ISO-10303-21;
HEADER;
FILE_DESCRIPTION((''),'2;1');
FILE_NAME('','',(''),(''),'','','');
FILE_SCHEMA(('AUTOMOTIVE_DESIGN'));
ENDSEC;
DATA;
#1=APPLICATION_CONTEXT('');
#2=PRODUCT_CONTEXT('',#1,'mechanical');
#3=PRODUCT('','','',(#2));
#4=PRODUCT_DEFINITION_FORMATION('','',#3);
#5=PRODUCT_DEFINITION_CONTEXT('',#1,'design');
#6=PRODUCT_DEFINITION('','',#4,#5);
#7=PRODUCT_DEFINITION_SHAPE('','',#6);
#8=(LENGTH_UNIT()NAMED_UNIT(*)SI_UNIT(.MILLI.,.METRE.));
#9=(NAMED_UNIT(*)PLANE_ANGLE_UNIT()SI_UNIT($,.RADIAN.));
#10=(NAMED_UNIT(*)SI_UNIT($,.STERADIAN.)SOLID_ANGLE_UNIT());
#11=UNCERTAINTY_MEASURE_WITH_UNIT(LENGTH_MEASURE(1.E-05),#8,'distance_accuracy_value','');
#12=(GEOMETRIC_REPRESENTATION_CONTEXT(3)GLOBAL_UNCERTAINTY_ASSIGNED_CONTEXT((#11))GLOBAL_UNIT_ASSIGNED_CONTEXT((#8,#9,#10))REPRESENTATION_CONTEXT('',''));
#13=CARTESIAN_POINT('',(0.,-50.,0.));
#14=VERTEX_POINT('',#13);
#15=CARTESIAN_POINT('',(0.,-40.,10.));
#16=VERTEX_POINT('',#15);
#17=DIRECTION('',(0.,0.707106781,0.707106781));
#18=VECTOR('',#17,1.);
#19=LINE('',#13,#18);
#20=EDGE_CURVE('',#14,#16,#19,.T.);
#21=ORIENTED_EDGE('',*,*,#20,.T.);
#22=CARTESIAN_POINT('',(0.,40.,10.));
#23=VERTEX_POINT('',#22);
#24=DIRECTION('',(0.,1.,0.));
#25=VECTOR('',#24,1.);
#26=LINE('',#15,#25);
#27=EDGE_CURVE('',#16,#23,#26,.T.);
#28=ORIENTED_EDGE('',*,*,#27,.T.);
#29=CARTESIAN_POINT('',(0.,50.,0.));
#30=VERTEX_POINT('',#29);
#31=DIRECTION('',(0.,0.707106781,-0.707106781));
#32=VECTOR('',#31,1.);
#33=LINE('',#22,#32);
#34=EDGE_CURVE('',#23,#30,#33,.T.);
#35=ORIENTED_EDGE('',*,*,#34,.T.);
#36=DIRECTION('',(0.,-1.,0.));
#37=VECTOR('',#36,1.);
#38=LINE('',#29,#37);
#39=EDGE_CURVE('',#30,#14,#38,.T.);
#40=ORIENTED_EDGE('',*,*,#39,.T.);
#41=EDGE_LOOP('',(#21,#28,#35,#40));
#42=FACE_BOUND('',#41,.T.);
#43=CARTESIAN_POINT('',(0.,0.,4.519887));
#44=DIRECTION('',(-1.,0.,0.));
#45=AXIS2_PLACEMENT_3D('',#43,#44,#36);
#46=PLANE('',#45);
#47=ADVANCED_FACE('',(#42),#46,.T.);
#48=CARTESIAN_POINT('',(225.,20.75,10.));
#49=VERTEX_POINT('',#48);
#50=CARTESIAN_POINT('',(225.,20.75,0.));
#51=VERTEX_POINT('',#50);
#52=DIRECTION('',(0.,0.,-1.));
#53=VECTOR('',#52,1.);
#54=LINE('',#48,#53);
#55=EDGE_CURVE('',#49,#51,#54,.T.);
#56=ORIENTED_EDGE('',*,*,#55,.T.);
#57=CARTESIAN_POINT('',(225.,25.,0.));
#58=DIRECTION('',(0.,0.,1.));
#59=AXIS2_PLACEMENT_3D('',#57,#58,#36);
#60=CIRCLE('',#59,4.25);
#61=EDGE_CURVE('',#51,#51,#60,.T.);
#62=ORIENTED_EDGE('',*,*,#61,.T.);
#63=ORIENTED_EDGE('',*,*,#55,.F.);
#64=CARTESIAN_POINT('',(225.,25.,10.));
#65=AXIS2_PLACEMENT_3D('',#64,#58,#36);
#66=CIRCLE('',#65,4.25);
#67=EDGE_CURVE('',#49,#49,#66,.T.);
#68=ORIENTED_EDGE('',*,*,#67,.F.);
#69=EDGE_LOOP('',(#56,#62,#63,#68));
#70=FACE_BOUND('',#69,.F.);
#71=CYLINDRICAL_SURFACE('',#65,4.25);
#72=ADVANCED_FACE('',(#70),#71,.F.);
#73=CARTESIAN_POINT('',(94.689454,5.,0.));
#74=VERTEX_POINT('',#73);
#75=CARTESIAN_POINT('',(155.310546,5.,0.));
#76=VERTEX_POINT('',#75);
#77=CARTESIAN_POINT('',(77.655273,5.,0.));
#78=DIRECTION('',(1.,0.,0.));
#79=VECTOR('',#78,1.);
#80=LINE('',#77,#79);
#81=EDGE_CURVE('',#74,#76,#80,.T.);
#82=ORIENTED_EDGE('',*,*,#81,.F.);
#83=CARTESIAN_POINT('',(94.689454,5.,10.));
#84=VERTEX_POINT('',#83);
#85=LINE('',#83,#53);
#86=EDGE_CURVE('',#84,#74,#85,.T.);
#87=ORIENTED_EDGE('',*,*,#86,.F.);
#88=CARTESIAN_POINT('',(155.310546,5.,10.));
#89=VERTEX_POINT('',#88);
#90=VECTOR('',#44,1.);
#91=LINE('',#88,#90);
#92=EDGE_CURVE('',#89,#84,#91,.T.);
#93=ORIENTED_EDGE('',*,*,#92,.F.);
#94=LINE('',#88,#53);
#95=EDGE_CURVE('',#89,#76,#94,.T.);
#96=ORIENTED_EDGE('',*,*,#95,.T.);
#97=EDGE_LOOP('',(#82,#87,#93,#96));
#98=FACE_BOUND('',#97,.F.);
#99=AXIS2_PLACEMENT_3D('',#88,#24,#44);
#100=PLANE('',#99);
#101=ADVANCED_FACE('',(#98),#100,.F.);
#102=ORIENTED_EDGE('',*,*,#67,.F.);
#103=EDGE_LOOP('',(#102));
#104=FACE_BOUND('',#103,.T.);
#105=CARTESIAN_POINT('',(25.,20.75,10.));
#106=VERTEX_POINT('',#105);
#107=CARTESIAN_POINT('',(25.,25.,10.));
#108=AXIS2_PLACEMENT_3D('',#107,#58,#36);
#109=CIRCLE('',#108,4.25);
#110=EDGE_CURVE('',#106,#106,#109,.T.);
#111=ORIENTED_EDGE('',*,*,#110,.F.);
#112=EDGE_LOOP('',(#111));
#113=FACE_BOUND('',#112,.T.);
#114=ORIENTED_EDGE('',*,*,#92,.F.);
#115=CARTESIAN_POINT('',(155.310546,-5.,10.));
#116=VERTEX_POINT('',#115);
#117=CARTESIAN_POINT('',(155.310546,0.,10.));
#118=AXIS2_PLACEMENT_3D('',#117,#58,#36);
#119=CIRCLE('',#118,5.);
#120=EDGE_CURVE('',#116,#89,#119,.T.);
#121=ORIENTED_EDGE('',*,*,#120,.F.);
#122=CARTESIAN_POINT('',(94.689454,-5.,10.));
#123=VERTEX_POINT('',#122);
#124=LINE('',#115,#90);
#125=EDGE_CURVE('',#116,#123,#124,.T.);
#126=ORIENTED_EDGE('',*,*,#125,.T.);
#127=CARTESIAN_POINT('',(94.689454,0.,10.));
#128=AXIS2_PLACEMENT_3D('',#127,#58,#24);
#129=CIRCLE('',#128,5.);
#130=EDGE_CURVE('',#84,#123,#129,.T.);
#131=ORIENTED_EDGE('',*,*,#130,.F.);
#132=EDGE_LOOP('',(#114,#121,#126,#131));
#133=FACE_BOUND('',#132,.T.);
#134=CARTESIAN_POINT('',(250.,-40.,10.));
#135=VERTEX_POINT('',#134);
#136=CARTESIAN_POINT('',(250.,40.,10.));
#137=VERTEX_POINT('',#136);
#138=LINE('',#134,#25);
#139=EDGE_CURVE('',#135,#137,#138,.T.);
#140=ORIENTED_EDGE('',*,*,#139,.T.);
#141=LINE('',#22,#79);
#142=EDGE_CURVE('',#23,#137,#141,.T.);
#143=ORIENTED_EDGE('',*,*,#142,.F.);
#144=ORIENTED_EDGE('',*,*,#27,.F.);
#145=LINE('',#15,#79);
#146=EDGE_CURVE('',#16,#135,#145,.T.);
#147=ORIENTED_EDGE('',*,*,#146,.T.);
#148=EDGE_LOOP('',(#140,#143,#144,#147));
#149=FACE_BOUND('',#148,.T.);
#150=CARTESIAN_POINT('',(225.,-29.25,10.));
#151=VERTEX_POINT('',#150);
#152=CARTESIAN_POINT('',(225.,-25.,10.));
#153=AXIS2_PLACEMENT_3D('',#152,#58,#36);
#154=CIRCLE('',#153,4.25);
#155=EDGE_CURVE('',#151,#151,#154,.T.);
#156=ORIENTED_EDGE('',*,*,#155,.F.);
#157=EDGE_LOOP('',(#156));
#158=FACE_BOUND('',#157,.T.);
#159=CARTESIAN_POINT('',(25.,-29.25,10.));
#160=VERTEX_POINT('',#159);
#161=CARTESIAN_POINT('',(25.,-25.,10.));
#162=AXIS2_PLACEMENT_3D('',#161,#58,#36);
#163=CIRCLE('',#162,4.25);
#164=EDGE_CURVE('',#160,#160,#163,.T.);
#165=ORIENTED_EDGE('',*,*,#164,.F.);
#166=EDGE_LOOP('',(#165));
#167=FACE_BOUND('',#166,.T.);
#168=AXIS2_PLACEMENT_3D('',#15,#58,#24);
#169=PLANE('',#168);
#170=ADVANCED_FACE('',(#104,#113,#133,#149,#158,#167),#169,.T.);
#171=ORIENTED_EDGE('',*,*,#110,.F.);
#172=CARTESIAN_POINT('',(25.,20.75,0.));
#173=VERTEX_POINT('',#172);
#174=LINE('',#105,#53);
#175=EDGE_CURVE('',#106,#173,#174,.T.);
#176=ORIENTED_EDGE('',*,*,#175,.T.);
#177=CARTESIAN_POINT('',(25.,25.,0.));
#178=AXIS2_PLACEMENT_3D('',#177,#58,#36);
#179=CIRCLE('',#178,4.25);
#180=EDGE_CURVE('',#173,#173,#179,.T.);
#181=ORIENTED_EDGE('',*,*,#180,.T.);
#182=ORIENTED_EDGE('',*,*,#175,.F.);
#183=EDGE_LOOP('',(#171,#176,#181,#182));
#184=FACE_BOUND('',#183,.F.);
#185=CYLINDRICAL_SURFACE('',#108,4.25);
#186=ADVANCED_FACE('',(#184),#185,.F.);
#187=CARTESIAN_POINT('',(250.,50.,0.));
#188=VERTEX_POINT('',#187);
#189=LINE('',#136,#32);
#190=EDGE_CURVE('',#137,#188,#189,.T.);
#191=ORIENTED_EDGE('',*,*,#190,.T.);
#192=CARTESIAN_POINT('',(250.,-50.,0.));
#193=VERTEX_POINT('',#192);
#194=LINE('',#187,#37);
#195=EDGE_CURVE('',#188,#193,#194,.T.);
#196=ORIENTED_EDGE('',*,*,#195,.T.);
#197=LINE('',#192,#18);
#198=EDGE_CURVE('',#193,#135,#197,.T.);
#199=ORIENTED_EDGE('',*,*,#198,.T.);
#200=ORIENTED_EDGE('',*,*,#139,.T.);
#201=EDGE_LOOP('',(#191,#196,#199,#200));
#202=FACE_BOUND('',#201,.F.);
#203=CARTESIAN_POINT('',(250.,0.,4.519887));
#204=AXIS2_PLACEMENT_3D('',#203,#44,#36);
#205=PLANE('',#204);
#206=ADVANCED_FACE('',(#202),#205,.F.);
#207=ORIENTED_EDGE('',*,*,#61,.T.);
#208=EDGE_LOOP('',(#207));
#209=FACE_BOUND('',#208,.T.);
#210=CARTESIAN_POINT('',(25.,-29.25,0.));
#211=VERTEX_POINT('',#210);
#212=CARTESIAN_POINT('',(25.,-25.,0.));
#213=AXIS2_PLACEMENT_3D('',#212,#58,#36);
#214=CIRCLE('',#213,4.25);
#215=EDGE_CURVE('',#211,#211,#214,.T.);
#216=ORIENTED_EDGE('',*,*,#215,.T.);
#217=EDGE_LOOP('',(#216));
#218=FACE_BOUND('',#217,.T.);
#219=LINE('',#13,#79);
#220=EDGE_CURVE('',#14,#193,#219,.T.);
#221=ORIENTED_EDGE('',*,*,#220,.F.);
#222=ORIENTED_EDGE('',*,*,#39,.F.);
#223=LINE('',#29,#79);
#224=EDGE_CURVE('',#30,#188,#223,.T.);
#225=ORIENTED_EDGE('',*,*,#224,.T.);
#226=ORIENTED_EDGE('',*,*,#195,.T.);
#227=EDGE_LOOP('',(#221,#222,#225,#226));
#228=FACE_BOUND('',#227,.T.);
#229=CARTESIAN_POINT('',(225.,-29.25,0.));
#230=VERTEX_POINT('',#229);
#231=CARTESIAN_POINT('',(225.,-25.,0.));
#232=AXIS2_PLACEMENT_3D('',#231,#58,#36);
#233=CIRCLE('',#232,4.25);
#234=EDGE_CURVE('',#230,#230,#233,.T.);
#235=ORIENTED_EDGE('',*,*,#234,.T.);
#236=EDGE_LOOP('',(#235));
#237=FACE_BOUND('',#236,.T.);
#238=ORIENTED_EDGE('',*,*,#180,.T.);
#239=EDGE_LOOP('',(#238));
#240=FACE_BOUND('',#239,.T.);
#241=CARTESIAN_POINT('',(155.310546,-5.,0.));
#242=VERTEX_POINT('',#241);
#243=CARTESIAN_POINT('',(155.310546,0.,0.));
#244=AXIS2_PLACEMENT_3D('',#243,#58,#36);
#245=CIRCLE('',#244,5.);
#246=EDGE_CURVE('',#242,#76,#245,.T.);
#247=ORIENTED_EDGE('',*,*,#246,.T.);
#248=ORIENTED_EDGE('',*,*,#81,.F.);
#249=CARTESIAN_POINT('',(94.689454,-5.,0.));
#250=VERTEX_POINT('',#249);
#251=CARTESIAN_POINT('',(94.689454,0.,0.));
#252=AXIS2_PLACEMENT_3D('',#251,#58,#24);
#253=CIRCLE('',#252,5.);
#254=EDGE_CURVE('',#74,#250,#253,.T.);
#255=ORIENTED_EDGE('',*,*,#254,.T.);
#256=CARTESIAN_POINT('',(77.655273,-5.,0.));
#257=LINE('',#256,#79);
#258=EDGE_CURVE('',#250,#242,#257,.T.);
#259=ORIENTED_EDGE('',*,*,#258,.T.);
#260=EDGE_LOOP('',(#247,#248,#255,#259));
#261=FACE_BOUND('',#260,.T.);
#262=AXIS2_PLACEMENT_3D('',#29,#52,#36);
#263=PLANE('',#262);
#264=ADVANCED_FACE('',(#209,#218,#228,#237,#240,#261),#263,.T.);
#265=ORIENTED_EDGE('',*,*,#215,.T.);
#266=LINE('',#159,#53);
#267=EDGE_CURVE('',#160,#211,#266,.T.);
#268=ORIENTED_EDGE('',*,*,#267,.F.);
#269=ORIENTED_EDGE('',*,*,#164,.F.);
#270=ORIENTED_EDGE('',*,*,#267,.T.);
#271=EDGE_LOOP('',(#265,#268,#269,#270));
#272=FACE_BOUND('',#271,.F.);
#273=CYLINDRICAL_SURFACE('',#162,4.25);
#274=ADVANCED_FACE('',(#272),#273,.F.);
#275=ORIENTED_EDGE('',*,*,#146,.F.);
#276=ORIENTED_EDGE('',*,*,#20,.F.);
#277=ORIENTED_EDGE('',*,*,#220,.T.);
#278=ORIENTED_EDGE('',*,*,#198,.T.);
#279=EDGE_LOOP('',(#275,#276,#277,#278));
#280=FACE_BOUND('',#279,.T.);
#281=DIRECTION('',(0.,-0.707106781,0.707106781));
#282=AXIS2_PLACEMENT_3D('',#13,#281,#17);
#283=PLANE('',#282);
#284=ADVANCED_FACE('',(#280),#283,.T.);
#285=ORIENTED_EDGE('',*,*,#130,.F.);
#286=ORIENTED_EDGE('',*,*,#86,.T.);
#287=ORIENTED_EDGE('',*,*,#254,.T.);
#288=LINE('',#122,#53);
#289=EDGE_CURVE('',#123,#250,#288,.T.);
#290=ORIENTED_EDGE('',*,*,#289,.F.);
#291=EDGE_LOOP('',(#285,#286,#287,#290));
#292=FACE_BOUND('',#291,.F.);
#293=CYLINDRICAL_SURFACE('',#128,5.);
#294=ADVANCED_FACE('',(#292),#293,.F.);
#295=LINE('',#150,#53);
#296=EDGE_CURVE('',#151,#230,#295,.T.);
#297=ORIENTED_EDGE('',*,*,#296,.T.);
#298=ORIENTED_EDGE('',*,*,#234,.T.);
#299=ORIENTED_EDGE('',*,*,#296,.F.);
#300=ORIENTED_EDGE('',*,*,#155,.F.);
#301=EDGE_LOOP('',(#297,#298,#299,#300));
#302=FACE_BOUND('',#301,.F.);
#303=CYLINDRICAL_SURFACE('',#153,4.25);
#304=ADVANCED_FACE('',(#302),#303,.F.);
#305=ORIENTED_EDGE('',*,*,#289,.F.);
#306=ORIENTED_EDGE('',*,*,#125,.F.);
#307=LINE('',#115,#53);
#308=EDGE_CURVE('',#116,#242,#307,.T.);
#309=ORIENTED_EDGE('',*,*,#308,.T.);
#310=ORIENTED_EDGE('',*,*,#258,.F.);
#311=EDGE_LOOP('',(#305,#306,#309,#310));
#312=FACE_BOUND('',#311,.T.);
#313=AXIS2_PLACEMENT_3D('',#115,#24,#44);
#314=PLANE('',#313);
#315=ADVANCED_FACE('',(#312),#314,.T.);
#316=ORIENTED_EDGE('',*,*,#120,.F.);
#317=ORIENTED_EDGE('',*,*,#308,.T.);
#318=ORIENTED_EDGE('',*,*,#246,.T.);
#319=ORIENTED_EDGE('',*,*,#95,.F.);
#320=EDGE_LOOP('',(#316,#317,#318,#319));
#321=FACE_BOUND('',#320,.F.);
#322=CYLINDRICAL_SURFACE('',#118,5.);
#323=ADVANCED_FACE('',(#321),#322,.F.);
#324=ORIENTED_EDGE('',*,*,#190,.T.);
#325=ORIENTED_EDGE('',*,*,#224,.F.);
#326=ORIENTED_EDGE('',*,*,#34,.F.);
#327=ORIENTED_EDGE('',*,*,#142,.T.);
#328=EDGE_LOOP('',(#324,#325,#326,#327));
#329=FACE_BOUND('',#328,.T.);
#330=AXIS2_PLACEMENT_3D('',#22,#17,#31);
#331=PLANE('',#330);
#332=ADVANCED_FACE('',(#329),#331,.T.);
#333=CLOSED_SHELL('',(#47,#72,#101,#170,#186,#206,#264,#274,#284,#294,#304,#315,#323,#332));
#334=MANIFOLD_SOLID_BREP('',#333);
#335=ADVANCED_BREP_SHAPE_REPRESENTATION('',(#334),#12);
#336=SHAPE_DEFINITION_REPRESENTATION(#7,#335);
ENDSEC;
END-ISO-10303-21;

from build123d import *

# Parameters (mm, degrees)
PAD002_DEPTH    = 250
SKETCH004_R     = 4.25
HOLE_DEPTH      = 25
POCKET002_DEPTH = 10.001


with BuildPart() as part:
    # Sketch003 → Pad002 (new body)
    with BuildSketch(Plane.YZ):
        Polygon((-40, 10), (40, 10), (50, 0), (-50, 0), align=None)
    extrude(amount=PAD002_DEPTH)

    # Sketch004 (on Face2 of Pad002) → Hole (cut)
    with BuildSketch(Plane(origin=(0, 0, 10), x_dir=(0, -1, 0), z_dir=(0, 0, 1))):
        with Locations((-25, 25)):
            Circle(SKETCH004_R)
        with Locations((25, 25)):
            Circle(SKETCH004_R)
        with Locations((25, 225)):
            Circle(SKETCH004_R)
        with Locations((-25, 225)):
            Circle(SKETCH004_R)
    extrude(amount=-HOLE_DEPTH, mode=Mode.SUBTRACT)

    # Sketch005 (on Face3 of Hole) → Pocket002 (cut, through all)
    with BuildSketch(Plane(origin=(0, 0, 10), x_dir=(0, -1, 0), z_dir=(0, 0, 1))):
        with BuildLine():
            ThreePointArc((5, 155.310546), (0, 160.310546), (-5, 155.310546))
            Line((-5, 155.310546), (-5, 94.689454))
            ThreePointArc((-5, 94.689454), (0, 89.689454), (5, 94.689454))
            Line((5, 155.310546), (5, 94.689454))
        make_face()
    extrude(amount=-POCKET002_DEPTH, mode=Mode.SUBTRACT)


solid = part.part
